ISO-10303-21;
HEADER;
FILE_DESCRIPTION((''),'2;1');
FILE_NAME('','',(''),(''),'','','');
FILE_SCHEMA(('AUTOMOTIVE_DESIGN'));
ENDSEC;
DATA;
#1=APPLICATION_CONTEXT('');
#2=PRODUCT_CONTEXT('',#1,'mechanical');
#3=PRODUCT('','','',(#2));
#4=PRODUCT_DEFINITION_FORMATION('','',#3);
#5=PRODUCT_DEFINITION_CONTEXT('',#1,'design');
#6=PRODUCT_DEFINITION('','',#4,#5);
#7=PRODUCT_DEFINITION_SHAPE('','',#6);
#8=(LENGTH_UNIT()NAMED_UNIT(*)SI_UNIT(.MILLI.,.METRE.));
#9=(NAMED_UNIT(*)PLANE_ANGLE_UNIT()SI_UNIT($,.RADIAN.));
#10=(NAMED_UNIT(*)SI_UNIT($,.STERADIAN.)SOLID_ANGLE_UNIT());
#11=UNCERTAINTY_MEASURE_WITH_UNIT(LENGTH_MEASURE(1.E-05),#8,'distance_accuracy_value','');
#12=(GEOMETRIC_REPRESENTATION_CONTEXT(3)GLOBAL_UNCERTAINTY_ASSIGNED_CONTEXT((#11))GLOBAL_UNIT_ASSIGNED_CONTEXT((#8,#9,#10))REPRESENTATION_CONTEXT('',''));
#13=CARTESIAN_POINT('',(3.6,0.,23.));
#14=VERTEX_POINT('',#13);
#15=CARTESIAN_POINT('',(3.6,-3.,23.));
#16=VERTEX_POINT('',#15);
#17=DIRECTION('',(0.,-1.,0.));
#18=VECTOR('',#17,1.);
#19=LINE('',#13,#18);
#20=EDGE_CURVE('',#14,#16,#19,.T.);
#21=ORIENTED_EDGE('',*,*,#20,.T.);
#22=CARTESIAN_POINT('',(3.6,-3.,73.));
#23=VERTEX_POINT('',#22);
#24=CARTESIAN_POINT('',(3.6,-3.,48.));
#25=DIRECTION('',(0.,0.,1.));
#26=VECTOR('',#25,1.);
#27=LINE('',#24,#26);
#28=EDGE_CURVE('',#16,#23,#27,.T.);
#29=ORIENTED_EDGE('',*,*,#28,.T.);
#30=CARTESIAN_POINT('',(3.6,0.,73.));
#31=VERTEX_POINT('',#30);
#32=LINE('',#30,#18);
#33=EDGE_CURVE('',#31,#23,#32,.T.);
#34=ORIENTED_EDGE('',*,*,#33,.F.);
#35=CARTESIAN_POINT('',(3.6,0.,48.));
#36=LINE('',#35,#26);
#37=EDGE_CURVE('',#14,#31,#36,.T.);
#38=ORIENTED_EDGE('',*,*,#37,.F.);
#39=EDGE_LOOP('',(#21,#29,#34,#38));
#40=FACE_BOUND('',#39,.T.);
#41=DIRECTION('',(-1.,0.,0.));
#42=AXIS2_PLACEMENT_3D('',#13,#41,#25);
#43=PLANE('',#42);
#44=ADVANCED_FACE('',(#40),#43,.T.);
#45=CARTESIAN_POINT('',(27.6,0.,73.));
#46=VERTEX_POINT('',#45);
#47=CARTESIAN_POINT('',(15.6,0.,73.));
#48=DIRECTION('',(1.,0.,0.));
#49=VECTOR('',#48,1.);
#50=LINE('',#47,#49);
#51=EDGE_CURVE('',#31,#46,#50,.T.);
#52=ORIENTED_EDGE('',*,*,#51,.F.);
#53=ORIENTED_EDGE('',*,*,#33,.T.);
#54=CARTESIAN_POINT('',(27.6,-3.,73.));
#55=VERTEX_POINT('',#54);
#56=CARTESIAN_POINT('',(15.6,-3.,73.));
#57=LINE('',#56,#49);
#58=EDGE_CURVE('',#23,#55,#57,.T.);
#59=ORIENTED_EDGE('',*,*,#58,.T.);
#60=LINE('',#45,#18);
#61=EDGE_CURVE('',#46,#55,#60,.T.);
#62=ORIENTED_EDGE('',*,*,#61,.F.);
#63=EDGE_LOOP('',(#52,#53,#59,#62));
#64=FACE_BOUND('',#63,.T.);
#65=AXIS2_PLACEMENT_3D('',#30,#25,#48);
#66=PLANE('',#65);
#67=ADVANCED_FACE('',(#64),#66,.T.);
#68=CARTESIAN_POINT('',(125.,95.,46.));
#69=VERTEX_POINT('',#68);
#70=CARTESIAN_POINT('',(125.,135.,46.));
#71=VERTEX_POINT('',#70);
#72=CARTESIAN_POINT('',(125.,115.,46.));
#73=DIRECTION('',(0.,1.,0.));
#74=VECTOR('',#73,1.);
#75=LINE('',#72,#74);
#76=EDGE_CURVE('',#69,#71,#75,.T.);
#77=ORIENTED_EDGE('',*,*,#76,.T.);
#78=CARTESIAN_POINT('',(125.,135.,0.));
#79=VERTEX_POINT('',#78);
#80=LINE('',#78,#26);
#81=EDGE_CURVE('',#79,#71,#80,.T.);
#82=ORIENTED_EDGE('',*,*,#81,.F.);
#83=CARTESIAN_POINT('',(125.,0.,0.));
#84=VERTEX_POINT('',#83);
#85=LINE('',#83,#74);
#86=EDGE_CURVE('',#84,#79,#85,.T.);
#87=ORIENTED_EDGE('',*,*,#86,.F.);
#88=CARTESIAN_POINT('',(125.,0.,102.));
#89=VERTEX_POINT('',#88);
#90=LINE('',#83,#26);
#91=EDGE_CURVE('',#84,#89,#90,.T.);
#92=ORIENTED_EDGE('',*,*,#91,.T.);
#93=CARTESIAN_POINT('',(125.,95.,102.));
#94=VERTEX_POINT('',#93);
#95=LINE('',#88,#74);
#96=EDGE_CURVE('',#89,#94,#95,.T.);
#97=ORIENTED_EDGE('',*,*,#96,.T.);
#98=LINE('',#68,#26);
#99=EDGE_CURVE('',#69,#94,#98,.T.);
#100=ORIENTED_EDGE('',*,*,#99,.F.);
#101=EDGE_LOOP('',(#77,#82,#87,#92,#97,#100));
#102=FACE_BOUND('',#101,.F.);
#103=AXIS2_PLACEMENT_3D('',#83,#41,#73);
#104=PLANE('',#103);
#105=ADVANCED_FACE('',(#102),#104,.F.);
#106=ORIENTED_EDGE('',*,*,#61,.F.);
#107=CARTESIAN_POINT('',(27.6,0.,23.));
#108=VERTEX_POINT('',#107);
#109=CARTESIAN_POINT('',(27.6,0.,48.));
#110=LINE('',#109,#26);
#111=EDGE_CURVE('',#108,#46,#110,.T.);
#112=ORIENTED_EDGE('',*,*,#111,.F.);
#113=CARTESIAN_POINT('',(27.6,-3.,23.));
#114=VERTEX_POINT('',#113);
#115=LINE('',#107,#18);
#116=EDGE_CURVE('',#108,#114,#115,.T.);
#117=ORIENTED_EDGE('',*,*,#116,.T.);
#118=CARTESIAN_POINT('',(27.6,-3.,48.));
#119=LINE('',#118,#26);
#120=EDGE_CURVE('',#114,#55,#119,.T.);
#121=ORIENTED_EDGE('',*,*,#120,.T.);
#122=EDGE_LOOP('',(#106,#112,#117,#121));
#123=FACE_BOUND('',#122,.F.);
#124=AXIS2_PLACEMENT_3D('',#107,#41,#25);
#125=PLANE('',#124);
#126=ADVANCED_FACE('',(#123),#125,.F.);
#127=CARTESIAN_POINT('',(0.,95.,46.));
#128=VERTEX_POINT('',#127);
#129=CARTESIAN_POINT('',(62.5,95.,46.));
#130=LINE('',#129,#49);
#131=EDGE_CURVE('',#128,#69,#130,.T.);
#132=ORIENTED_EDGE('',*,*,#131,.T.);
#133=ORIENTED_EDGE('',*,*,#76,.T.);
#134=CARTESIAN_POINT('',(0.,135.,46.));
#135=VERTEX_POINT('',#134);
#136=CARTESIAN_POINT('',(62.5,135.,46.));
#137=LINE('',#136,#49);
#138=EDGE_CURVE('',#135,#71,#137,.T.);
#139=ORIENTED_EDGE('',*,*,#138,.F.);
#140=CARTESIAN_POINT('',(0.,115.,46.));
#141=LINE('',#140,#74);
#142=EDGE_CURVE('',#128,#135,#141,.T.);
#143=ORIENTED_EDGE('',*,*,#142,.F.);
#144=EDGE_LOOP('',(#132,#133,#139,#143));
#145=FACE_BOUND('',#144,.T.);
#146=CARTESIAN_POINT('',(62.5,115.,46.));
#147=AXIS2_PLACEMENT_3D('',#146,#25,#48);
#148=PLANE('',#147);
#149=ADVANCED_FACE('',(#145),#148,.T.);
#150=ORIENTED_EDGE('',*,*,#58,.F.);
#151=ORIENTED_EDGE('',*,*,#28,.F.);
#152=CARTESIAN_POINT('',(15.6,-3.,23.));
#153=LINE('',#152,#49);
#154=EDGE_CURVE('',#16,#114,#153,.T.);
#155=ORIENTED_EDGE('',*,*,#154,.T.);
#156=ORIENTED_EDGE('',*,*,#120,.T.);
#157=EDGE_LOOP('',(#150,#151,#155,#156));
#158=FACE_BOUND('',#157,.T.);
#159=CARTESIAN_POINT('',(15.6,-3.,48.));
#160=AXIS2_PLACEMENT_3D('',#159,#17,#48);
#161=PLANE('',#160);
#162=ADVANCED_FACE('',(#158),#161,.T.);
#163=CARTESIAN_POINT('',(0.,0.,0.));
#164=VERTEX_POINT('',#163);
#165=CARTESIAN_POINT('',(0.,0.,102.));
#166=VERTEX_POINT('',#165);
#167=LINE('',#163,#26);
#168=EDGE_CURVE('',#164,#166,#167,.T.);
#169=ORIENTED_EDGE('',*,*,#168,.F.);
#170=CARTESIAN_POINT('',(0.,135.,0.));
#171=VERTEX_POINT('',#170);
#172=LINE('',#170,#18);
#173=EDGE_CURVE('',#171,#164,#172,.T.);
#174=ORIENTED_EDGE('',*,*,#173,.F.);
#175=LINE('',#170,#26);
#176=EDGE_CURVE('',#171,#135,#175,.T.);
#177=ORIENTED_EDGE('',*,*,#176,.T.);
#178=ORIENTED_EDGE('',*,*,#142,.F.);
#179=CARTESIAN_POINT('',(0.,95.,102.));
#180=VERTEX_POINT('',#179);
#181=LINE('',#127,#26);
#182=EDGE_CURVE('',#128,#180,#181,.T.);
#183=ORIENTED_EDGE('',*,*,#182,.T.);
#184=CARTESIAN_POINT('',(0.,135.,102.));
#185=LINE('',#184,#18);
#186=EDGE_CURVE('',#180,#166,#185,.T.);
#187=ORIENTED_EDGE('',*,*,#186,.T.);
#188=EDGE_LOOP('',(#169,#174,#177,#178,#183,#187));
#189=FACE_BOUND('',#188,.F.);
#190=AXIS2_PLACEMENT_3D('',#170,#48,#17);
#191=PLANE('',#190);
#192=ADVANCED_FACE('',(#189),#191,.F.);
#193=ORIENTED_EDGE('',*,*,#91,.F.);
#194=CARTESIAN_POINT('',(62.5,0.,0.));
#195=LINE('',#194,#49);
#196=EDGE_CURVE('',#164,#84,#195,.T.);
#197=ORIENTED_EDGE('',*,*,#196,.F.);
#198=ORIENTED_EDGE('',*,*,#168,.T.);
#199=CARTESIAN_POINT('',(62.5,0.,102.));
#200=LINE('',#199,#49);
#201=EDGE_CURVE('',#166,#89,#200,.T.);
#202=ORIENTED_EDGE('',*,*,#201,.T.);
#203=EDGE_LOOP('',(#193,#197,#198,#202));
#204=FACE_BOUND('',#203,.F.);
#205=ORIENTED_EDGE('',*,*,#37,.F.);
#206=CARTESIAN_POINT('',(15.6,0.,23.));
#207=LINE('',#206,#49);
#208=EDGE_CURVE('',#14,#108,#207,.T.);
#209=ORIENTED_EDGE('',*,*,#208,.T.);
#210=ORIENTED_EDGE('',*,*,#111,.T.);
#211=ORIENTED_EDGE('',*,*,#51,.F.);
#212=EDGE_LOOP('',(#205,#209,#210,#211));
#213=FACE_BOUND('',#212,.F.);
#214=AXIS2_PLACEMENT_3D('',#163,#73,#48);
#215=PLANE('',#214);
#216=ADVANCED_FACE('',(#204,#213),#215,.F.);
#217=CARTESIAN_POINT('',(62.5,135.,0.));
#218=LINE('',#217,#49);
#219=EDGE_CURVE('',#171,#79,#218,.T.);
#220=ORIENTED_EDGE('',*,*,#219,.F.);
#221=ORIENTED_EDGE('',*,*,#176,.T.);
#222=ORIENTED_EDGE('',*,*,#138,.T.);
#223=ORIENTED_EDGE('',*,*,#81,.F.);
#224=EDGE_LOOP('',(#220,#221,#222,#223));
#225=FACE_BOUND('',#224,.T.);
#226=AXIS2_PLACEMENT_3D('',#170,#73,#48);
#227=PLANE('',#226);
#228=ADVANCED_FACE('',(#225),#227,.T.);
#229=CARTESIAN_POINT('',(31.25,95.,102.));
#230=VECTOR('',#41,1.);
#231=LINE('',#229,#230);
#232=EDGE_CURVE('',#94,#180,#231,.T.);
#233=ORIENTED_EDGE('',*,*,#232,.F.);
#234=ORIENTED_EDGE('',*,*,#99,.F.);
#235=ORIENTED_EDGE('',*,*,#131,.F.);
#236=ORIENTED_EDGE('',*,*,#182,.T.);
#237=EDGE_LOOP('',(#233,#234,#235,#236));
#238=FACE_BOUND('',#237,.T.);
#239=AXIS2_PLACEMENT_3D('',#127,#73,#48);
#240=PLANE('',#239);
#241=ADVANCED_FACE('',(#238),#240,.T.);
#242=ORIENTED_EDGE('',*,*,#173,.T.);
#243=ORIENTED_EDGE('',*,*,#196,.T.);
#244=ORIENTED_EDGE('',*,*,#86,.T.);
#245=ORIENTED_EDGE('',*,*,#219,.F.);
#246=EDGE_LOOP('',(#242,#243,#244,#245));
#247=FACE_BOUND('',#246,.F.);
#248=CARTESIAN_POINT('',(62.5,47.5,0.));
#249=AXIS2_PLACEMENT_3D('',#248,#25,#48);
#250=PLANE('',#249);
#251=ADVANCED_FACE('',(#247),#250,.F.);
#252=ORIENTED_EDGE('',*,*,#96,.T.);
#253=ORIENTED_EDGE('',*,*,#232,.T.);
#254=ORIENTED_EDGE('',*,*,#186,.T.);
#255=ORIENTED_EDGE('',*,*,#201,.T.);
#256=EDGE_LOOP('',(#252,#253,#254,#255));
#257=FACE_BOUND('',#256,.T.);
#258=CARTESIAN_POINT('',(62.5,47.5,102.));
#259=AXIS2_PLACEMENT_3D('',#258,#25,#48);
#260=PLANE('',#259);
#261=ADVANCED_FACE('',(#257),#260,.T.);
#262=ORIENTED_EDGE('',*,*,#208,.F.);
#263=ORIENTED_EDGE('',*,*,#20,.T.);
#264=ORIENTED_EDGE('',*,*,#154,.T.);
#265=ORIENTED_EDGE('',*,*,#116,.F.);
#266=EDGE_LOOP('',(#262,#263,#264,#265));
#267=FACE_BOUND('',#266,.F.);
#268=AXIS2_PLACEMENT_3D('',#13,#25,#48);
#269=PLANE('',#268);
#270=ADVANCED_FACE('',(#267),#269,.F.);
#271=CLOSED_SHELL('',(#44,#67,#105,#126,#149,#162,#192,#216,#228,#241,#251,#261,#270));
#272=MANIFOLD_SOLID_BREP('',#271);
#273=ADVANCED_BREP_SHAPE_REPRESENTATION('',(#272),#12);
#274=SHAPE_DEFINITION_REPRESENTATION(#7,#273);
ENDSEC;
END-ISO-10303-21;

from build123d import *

# Parameters (mm, degrees)
F0_W     = 125
F0_H     = 95
F0_H_2   = 40
F1_DEPTH = 102
F2_START = 46
F2_DEPTH = 86.07192
F3_W     = 24
F3_H     = 50
F4_DEPTH = 3


with BuildPart() as f1:
    # F0 (on Top) → F1 (new body)
    with BuildSketch(Plane.XY):
        with Locations((62.5, 47.5)):
            Rectangle(F0_W, F0_H)
        with Locations((62.5, 115)):
            Rectangle(F0_W, F0_H_2)
    extrude(amount=F1_DEPTH)

    # F0 (on Top) → F2 (cut)
    with BuildSketch(Plane.XY.offset(F2_START)):
        with Locations((62.5, 115)):
            Rectangle(F0_W, F0_H_2)
    extrude(amount=F2_DEPTH, mode=Mode.SUBTRACT)

    # F3 (on face) → F4 (join)
    with BuildSketch(Plane.XZ):
        with Locations((15.6, 48)):
            Rectangle(F3_W, F3_H)
    extrude(amount=F4_DEPTH)


solid = f1.part
